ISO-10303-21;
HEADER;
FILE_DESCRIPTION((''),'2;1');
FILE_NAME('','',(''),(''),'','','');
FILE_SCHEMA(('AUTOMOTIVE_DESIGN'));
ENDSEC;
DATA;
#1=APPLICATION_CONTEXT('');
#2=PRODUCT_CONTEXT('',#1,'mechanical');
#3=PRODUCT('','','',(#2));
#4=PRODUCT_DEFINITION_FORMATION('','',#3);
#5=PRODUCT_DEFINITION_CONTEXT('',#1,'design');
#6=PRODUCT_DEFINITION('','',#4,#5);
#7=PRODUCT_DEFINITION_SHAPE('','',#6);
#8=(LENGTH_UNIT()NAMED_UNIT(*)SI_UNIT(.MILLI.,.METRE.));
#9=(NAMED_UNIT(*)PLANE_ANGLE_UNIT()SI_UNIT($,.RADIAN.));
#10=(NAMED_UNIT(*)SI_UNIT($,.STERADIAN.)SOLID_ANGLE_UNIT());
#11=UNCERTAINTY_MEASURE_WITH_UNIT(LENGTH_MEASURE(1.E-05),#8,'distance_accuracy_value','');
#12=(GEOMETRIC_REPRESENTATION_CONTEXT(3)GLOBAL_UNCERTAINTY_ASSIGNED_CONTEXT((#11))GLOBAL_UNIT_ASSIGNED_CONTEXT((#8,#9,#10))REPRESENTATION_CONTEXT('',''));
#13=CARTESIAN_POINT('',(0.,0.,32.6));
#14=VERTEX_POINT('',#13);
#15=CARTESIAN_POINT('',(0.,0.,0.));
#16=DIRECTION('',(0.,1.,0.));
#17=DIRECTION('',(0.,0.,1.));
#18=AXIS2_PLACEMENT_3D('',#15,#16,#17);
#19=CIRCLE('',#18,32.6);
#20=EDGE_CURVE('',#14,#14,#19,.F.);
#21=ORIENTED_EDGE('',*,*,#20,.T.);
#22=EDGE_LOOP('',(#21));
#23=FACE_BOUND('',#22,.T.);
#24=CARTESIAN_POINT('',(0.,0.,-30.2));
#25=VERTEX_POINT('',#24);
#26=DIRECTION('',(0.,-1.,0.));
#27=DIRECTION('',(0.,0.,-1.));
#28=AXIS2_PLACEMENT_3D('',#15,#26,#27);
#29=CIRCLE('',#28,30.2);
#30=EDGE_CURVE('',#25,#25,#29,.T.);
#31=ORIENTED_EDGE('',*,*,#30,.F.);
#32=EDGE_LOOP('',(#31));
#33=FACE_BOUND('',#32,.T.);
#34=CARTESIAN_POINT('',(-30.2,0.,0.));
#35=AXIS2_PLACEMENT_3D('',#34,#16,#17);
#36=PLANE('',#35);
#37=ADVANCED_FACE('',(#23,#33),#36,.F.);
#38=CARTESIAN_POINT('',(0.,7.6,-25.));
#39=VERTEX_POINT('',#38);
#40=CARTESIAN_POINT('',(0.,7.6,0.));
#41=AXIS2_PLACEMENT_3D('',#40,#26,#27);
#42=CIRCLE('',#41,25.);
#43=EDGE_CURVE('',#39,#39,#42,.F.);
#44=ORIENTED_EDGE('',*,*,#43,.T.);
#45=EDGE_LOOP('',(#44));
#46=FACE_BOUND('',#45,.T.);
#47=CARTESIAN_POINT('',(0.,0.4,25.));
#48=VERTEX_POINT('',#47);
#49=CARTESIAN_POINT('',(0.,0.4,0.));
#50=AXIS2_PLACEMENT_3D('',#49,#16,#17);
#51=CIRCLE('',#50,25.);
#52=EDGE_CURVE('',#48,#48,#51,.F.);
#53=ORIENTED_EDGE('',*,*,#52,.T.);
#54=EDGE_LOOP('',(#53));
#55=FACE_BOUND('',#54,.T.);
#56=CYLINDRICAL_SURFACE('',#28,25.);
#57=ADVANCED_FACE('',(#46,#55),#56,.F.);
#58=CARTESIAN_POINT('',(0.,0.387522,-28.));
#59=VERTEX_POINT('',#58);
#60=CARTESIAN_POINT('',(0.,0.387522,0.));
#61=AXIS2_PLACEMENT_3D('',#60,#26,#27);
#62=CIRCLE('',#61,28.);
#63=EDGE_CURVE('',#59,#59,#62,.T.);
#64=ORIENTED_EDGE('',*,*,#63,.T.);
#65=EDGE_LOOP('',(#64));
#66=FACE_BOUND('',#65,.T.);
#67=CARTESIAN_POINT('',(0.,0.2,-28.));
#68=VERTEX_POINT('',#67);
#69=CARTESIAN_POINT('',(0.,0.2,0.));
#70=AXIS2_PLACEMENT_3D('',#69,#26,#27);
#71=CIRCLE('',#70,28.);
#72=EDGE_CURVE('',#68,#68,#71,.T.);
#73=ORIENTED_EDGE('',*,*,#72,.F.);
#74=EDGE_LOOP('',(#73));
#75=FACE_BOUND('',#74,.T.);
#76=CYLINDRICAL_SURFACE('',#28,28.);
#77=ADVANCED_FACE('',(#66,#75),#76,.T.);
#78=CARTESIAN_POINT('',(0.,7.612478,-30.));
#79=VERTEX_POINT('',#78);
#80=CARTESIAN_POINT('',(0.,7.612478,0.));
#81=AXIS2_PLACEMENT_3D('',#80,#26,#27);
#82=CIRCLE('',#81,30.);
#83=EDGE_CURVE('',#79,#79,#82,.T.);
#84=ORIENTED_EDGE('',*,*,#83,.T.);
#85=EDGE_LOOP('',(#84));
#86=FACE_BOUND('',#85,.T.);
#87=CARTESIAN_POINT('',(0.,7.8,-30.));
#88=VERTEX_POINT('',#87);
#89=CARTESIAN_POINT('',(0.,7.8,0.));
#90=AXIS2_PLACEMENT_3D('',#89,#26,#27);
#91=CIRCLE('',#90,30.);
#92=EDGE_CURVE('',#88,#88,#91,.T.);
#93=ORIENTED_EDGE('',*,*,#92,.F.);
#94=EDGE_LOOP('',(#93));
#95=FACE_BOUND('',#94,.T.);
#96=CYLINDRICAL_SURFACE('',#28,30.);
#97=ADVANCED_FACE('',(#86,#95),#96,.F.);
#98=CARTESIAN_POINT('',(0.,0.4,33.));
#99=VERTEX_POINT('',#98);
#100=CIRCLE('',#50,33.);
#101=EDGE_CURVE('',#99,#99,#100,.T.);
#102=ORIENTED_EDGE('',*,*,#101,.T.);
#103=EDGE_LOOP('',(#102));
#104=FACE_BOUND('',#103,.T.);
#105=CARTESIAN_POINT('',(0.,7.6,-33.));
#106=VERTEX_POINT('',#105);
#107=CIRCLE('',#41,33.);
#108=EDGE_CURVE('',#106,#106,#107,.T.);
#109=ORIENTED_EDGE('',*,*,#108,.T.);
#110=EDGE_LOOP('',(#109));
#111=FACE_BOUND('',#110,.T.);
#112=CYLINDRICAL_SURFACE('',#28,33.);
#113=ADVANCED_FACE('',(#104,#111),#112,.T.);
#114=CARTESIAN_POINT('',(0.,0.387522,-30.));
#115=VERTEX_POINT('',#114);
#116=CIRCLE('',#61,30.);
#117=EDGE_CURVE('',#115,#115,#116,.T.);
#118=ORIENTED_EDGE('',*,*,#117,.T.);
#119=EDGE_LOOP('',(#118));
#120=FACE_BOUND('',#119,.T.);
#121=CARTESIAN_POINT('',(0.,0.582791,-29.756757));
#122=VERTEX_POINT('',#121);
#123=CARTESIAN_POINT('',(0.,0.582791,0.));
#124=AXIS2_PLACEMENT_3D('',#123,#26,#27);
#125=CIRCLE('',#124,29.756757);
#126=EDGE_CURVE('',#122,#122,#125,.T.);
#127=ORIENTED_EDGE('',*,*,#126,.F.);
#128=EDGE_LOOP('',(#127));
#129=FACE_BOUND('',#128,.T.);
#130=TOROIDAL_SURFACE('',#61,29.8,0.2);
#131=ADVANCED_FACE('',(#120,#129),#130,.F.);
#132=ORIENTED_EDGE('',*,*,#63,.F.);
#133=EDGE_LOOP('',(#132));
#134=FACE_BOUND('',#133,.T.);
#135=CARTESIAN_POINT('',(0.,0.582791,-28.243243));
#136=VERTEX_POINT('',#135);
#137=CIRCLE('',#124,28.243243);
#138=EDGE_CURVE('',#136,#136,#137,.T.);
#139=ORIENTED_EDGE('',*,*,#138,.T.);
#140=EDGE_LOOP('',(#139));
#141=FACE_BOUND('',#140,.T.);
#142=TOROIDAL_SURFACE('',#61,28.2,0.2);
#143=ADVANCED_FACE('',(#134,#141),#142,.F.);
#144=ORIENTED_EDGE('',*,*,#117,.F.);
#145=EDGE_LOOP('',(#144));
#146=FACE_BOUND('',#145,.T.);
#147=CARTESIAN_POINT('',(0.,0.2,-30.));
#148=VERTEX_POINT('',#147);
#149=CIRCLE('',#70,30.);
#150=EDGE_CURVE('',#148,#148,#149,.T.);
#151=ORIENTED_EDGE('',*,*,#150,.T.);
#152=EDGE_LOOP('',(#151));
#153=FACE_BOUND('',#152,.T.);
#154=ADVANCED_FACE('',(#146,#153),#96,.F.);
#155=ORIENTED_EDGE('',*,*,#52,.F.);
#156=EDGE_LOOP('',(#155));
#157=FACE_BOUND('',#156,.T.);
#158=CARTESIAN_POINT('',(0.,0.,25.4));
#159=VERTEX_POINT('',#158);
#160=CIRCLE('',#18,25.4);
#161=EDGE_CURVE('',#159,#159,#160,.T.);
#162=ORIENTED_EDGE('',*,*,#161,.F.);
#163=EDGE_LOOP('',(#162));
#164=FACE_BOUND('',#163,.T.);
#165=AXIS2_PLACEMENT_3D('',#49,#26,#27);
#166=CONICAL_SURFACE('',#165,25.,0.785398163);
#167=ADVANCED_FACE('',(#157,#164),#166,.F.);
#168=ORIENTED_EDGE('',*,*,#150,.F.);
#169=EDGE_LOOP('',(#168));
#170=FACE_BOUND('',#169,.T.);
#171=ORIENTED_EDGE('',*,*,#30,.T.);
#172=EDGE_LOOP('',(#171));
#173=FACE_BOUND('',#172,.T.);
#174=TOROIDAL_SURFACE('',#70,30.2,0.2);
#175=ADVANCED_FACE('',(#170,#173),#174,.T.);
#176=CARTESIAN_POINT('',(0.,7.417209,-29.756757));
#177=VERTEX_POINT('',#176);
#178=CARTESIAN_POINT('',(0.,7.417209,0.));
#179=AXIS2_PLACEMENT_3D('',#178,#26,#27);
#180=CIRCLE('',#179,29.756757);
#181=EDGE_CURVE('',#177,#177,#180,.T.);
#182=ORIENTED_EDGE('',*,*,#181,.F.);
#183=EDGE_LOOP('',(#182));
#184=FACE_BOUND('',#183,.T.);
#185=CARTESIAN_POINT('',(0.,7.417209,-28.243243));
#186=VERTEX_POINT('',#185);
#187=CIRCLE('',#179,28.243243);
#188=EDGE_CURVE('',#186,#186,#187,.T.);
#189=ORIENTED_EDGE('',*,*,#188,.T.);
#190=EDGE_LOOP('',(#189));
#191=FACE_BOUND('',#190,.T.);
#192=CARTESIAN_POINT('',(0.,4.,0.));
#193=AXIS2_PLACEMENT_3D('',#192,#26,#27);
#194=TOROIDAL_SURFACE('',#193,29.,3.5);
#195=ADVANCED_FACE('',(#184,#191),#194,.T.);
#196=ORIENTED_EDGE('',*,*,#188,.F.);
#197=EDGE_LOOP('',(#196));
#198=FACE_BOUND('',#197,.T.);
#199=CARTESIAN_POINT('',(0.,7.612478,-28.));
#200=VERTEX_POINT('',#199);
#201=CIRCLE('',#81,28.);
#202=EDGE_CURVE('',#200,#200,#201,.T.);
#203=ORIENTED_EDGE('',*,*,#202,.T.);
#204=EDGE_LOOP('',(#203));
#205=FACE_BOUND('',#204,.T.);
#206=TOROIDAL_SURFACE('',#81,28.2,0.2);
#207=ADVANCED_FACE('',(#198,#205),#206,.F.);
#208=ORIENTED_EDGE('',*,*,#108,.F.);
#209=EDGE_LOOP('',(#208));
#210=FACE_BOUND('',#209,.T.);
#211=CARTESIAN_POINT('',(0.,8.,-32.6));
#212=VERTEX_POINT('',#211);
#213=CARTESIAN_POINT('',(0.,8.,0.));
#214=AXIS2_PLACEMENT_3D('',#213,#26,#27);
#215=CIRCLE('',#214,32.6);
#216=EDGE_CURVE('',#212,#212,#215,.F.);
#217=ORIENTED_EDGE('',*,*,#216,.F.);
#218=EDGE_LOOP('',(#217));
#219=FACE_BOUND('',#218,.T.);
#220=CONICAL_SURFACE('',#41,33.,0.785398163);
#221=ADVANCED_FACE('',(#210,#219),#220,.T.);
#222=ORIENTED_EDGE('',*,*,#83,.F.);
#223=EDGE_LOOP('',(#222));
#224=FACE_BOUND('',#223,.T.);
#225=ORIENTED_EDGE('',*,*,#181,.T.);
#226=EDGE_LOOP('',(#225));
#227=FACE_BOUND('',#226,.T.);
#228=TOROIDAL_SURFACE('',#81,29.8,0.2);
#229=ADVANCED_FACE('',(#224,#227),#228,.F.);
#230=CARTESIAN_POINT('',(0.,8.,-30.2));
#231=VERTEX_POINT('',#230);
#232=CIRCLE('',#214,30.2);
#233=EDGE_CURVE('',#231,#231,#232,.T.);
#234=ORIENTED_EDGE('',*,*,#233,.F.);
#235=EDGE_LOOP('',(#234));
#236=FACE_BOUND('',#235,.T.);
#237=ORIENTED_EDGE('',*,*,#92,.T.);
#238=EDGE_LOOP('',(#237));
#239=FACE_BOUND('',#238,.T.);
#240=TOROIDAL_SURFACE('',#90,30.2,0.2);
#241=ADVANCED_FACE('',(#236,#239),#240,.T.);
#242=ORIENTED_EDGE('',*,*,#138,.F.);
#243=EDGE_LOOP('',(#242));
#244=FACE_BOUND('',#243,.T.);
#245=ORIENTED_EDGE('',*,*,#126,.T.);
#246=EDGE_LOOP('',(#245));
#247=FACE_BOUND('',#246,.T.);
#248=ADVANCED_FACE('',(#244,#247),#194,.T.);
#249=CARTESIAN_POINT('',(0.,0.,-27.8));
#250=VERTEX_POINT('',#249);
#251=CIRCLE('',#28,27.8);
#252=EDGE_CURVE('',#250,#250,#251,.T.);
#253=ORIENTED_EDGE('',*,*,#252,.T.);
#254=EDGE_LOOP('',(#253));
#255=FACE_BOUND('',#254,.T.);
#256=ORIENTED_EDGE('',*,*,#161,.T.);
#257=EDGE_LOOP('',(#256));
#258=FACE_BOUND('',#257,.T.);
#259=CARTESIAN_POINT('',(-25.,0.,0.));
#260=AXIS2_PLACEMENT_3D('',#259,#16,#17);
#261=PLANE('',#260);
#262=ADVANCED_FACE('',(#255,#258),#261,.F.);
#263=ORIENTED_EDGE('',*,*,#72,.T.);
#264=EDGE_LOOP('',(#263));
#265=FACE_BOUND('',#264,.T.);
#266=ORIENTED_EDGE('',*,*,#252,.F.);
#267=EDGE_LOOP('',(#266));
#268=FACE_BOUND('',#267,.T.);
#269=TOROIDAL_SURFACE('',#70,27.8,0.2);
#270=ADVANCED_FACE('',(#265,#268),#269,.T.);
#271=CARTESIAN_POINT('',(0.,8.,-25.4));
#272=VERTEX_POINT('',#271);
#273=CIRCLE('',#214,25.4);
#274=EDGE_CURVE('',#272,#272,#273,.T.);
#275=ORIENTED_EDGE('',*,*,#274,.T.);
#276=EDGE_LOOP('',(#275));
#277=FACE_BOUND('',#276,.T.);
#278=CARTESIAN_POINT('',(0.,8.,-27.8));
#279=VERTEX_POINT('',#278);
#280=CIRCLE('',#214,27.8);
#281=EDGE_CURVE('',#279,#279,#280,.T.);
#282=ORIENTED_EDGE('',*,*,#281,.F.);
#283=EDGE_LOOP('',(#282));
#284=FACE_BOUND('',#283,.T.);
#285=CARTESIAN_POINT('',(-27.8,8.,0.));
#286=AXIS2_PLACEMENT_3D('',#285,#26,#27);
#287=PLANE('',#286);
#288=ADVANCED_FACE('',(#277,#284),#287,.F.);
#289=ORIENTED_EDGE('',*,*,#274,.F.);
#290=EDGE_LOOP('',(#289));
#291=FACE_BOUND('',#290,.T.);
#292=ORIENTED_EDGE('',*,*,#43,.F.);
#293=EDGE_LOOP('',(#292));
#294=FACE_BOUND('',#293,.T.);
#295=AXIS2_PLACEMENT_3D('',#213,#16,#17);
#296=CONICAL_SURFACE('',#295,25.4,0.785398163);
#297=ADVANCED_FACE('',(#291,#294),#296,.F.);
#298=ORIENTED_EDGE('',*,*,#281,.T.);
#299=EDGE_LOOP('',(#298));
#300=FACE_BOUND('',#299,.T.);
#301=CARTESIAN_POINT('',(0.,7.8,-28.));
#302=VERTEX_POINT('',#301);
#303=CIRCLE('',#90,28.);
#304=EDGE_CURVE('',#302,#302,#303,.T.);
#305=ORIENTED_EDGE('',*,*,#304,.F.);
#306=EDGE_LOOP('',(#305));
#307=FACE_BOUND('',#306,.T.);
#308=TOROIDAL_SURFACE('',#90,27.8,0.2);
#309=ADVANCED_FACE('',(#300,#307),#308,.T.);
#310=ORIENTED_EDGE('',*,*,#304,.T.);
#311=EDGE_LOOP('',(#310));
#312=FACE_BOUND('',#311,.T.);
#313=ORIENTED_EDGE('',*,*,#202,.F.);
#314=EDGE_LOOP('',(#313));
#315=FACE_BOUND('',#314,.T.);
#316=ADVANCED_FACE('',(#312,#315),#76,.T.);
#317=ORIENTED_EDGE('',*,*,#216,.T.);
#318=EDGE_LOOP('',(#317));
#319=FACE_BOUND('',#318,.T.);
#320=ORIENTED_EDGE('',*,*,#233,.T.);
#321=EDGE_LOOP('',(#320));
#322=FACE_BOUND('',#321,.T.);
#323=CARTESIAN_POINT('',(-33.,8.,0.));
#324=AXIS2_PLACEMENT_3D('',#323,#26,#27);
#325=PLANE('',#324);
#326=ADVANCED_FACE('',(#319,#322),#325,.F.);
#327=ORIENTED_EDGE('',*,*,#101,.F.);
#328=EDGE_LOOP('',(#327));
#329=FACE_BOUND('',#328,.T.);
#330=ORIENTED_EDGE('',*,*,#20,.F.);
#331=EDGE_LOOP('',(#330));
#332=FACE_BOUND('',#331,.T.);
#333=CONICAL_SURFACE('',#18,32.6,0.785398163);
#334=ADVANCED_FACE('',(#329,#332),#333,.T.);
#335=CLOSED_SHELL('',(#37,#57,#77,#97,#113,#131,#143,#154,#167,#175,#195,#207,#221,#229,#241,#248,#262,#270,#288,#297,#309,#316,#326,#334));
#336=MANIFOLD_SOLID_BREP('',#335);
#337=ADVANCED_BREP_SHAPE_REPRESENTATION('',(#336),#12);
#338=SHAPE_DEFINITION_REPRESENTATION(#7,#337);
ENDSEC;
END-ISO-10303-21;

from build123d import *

# Parameters (mm, degrees)
CHAMFER_1_SIZE = 0.4


with BuildPart() as part:
    # 草图1 → 旋转1 (revolve)
    with BuildSketch(Plane.XY):
        with BuildLine():
            Line((-25, 8), (-25, 0))
            Line((-25, 0), (-27.8, 0))
            ThreePointArc((-27.8, 0), (-27.941421356, 0.058578644), (-28, 0.2))
            Line((-28, 0.2), (-28, 0.387521626))
            ThreePointArc((-28, 0.387521626), (-28.074797461, 0.5434842), (-28.243243243, 0.582790728))
            ThreePointArc((-28.243243243, 0.582790728), (-29, 0.5), (-29.756756757, 0.582790728))
            ThreePointArc((-29.756756757, 0.582790728), (-29.925202539, 0.5434842), (-30, 0.387521626))
            Line((-30, 0.387521626), (-30, 0.2))
            ThreePointArc((-30, 0.2), (-30.058578644, 0.058578644), (-30.2, 0))
            Line((-30.2, 0), (-33, 0))
            Line((-33, 0), (-33, 8))
            Line((-33, 8), (-30.2, 8))
            ThreePointArc((-30.2, 8), (-30.058578644, 7.941421356), (-30, 7.8))
            Line((-30, 7.8), (-30, 7.612478374))
            ThreePointArc((-30, 7.612478374), (-29.925202539, 7.4565158), (-29.756756757, 7.417209272))
            ThreePointArc((-29.756756757, 7.417209272), (-29, 7.5), (-28.243243243, 7.417209272))
            ThreePointArc((-28.243243243, 7.417209272), (-28.074797461, 7.4565158), (-28, 7.612478374))
            Line((-28, 7.612478374), (-28, 7.8))
            ThreePointArc((-28, 7.8), (-27.941421356, 7.941421356), (-27.8, 8))
            Line((-27.8, 8), (-25, 8))
        make_face()
    revolve(axis=Axis((0, 0, 0), (0, 1, 0)))

    # 倒角1
    chamfer_1_edges = [part.edges().sort_by_distance(p)[0] for p in [
        (33, 8, 0),
        (33, 0, 0),
        (25, 0, 0),
        (25, 8, 0),
    ]]
    chamfer(chamfer_1_edges, length=CHAMFER_1_SIZE)


solid = part.part
